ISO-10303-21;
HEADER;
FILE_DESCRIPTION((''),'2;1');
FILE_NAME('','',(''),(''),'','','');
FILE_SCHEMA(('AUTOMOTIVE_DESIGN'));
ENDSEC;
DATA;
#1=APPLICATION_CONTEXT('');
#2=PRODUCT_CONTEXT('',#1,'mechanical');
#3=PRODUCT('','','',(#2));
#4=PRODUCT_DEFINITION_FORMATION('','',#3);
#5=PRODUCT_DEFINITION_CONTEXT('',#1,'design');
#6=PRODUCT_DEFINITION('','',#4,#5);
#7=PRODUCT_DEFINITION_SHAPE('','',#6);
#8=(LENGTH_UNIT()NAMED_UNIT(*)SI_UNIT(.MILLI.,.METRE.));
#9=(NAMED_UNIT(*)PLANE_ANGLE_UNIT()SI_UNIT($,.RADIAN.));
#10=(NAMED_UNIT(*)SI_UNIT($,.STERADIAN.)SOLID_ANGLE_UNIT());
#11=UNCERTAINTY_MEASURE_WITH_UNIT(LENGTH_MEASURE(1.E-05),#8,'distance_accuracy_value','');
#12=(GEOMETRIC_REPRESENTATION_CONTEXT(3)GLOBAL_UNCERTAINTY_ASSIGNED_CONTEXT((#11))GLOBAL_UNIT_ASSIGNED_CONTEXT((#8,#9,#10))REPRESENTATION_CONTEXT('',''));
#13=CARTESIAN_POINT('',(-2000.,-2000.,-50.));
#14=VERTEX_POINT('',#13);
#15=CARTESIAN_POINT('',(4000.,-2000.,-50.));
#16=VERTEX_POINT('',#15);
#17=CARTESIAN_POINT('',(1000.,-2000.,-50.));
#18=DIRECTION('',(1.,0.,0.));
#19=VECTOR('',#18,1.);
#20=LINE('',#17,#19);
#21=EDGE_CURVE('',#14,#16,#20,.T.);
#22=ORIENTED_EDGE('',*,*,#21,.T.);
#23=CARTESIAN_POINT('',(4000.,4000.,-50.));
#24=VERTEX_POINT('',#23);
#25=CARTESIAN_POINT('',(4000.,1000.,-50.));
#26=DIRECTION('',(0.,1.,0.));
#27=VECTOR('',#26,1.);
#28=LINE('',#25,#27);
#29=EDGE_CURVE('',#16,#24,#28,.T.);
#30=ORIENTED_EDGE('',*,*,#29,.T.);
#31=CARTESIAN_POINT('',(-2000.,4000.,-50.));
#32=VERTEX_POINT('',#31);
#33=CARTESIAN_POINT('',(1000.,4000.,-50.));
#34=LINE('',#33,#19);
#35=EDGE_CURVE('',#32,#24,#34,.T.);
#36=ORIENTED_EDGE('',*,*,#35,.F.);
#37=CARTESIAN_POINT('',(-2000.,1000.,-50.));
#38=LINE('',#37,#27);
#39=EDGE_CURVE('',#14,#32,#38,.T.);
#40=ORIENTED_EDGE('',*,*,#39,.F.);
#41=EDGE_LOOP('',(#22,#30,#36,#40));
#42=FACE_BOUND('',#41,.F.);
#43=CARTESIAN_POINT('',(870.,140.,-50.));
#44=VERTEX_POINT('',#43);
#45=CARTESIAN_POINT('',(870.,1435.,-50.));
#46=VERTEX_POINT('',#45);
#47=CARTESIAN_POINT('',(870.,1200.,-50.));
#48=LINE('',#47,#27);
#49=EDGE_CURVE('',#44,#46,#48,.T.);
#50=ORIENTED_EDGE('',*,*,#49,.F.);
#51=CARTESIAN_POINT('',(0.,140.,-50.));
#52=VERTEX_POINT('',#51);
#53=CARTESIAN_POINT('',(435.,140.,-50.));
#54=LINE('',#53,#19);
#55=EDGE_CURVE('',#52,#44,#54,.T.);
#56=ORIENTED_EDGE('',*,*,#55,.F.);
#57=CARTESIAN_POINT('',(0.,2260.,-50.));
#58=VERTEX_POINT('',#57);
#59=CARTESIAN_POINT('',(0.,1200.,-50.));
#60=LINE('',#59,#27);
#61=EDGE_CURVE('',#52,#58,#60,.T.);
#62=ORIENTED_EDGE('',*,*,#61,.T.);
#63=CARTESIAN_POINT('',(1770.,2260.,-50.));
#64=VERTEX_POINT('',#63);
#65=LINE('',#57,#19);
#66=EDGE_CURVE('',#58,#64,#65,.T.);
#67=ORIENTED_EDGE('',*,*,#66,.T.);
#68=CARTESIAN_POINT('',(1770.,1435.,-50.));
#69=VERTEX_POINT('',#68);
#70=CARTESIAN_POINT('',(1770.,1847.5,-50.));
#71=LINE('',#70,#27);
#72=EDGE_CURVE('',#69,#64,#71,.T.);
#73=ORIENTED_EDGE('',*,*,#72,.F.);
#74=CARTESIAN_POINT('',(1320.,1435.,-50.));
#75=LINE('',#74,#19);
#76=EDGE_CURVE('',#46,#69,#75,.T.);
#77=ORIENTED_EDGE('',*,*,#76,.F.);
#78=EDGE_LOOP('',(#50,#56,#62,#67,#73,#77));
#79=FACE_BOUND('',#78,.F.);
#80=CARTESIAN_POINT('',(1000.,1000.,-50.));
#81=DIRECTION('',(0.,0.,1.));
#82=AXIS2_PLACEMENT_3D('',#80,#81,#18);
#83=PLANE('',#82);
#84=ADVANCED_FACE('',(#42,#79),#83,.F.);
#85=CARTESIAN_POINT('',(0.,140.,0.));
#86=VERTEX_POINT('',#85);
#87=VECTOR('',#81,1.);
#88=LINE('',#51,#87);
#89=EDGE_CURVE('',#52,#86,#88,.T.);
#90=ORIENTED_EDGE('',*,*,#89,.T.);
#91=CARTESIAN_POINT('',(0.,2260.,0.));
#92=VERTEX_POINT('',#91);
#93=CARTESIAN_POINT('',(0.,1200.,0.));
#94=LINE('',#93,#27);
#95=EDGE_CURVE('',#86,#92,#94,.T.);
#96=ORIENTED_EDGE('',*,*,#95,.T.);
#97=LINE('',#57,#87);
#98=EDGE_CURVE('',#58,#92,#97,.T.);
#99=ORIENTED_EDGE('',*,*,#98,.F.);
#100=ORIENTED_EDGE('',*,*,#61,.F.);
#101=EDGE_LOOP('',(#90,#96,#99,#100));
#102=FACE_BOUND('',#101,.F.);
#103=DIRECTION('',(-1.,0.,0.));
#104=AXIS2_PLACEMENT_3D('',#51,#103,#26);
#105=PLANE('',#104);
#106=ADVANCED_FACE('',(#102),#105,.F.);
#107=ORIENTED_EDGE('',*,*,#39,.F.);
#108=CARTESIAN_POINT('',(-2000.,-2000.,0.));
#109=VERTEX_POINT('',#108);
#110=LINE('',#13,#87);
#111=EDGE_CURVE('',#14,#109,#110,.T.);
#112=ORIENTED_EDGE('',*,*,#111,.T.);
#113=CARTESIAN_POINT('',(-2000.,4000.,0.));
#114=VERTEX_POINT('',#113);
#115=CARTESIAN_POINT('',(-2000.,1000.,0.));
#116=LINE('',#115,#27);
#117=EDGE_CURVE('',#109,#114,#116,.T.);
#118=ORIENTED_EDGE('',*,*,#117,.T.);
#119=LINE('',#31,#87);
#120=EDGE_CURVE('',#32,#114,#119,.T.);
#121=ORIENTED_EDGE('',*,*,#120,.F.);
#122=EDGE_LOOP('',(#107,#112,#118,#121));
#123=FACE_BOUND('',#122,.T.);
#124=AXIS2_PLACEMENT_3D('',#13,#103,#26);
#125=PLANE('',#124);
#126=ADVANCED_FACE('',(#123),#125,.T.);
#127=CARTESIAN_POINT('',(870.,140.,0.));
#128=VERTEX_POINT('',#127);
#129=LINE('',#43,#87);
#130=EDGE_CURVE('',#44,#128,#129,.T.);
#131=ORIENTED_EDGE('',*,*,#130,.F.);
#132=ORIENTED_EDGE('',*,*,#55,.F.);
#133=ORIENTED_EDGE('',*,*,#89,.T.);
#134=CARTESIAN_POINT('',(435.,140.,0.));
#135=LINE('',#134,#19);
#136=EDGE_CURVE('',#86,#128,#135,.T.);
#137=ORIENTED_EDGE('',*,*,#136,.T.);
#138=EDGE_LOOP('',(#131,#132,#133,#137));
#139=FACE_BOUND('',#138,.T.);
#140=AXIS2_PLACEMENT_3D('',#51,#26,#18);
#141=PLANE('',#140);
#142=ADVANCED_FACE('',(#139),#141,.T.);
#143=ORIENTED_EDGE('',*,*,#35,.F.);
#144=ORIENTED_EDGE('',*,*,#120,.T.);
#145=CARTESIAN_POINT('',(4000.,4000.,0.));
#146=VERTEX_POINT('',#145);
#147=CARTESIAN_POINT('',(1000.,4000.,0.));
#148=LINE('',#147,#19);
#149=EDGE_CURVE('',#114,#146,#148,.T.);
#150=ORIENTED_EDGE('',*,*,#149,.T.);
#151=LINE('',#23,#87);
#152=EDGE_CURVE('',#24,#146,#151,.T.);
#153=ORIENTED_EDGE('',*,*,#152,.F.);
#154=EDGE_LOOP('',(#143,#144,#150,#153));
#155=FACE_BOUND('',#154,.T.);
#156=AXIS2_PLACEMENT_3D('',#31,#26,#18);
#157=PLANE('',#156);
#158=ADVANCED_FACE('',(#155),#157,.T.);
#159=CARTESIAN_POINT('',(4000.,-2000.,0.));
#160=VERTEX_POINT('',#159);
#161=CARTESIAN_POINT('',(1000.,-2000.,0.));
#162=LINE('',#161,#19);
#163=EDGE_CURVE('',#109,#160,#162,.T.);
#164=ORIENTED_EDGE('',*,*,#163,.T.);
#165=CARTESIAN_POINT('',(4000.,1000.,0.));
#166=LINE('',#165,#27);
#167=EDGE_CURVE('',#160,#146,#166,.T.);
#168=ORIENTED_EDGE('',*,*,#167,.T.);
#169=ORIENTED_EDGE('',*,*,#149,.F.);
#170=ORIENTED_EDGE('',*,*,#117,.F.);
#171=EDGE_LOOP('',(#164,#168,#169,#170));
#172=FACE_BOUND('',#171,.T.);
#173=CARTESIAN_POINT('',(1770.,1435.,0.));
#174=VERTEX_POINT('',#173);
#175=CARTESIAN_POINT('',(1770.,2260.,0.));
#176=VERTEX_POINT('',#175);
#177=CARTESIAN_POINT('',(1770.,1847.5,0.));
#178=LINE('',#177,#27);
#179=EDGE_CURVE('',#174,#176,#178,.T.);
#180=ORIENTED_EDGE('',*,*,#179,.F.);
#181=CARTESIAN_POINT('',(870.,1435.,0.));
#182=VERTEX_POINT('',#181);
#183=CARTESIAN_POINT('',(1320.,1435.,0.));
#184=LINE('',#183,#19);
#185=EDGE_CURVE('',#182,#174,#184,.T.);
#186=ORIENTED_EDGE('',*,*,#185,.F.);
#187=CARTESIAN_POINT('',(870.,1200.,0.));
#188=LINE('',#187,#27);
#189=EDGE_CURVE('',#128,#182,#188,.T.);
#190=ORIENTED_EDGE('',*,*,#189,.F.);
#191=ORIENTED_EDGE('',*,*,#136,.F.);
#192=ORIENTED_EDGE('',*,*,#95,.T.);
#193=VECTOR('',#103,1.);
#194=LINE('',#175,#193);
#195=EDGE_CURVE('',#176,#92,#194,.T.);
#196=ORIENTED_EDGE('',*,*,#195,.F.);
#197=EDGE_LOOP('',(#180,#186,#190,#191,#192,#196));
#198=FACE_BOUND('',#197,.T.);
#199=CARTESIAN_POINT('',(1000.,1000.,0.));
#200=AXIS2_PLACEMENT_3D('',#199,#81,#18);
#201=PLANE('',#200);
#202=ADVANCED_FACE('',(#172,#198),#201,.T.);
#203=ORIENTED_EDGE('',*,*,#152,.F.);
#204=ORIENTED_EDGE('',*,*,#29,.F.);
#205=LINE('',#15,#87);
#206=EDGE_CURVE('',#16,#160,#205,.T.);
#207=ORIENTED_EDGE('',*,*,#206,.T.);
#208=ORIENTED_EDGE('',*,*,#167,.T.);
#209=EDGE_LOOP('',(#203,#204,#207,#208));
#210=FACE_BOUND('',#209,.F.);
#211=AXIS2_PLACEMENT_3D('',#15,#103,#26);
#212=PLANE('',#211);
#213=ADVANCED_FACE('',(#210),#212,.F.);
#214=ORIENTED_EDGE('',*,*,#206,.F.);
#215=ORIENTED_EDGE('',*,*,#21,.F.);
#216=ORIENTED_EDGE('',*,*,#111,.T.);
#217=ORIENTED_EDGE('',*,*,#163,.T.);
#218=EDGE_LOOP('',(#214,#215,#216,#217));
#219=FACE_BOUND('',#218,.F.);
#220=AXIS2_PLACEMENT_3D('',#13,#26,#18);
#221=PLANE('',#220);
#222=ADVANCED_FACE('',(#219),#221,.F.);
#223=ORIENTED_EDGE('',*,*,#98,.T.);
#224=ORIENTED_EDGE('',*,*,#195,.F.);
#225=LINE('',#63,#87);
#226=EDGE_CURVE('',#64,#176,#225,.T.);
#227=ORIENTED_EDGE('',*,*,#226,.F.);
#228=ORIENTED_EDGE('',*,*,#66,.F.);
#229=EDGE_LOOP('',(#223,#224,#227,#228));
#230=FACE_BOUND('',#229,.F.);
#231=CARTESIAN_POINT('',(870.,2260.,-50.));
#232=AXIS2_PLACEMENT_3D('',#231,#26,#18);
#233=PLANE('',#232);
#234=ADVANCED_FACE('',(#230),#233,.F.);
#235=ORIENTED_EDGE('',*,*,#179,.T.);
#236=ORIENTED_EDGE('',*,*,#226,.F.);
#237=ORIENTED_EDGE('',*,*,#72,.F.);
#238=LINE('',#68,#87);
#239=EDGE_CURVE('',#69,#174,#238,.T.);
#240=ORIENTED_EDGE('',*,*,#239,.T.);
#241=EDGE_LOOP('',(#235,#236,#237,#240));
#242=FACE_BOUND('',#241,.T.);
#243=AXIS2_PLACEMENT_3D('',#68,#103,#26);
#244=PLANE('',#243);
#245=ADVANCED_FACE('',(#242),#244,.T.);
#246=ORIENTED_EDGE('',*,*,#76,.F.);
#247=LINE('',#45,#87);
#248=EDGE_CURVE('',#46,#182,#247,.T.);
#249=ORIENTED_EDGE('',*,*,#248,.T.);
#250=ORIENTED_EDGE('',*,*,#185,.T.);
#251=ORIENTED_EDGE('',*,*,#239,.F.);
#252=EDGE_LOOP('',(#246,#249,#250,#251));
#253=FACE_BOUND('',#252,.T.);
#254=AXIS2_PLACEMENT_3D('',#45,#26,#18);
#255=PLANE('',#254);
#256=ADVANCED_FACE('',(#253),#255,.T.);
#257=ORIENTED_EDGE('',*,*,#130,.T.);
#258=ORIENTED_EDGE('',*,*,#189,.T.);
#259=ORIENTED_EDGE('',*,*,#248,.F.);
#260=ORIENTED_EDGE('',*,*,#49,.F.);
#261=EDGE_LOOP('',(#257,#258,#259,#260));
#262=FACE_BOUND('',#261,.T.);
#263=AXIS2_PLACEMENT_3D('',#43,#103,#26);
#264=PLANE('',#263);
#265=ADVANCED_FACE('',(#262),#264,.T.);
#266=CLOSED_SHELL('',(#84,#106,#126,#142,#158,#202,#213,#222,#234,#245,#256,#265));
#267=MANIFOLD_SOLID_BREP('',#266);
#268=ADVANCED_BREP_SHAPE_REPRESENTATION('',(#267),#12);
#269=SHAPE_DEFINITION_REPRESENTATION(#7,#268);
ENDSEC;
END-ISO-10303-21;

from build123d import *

# Parameters (mm, degrees)
BOX001_W     = 900
BOX001_H     = 825
BOX001_DEPTH = 50
BOX_W        = 870
BOX_H        = 2120
BOX_DEPTH    = 50
BOX002_W     = 6000
BOX002_H     = 6000
BOX002_DEPTH = 50


with BuildPart() as vao2:
    # Box001 → Box001 (new body)
    with BuildSketch(Plane(origin=(870, 1295, -50), x_dir=(1, 0, 0), z_dir=(0, 0, 1))):
        with Locations((450, 412.5)):
            Rectangle(BOX001_W, BOX001_H)
    extrude(amount=BOX001_DEPTH)


with BuildPart() as vao:
    # Box → Box (new body)
    with BuildSketch(Plane.XY.offset(-50)):
        with Locations((435, 1060)):
            Rectangle(BOX_W, BOX_H)
    extrude(amount=BOX_DEPTH)

    # Fusion: union vao2
    add(vao2.part)


with BuildPart() as vao_1:
    # Fusion placement: moved
    add(vao.part.moved(Location((0, 140, 0))))


with BuildPart() as vao_na_laje:
    # Box002 → Box002 (new body)
    with BuildSketch(Plane(origin=(-2000, -2000, -50), x_dir=(1, 0, 0), z_dir=(0, 0, 1))):
        with Locations((3000, 3000)):
            Rectangle(BOX002_W, BOX002_H)
    extrude(amount=BOX002_DEPTH)

    # Cut: cut vao
    add(vao_1.part, mode=Mode.SUBTRACT)


solid = vao_na_laje.part
